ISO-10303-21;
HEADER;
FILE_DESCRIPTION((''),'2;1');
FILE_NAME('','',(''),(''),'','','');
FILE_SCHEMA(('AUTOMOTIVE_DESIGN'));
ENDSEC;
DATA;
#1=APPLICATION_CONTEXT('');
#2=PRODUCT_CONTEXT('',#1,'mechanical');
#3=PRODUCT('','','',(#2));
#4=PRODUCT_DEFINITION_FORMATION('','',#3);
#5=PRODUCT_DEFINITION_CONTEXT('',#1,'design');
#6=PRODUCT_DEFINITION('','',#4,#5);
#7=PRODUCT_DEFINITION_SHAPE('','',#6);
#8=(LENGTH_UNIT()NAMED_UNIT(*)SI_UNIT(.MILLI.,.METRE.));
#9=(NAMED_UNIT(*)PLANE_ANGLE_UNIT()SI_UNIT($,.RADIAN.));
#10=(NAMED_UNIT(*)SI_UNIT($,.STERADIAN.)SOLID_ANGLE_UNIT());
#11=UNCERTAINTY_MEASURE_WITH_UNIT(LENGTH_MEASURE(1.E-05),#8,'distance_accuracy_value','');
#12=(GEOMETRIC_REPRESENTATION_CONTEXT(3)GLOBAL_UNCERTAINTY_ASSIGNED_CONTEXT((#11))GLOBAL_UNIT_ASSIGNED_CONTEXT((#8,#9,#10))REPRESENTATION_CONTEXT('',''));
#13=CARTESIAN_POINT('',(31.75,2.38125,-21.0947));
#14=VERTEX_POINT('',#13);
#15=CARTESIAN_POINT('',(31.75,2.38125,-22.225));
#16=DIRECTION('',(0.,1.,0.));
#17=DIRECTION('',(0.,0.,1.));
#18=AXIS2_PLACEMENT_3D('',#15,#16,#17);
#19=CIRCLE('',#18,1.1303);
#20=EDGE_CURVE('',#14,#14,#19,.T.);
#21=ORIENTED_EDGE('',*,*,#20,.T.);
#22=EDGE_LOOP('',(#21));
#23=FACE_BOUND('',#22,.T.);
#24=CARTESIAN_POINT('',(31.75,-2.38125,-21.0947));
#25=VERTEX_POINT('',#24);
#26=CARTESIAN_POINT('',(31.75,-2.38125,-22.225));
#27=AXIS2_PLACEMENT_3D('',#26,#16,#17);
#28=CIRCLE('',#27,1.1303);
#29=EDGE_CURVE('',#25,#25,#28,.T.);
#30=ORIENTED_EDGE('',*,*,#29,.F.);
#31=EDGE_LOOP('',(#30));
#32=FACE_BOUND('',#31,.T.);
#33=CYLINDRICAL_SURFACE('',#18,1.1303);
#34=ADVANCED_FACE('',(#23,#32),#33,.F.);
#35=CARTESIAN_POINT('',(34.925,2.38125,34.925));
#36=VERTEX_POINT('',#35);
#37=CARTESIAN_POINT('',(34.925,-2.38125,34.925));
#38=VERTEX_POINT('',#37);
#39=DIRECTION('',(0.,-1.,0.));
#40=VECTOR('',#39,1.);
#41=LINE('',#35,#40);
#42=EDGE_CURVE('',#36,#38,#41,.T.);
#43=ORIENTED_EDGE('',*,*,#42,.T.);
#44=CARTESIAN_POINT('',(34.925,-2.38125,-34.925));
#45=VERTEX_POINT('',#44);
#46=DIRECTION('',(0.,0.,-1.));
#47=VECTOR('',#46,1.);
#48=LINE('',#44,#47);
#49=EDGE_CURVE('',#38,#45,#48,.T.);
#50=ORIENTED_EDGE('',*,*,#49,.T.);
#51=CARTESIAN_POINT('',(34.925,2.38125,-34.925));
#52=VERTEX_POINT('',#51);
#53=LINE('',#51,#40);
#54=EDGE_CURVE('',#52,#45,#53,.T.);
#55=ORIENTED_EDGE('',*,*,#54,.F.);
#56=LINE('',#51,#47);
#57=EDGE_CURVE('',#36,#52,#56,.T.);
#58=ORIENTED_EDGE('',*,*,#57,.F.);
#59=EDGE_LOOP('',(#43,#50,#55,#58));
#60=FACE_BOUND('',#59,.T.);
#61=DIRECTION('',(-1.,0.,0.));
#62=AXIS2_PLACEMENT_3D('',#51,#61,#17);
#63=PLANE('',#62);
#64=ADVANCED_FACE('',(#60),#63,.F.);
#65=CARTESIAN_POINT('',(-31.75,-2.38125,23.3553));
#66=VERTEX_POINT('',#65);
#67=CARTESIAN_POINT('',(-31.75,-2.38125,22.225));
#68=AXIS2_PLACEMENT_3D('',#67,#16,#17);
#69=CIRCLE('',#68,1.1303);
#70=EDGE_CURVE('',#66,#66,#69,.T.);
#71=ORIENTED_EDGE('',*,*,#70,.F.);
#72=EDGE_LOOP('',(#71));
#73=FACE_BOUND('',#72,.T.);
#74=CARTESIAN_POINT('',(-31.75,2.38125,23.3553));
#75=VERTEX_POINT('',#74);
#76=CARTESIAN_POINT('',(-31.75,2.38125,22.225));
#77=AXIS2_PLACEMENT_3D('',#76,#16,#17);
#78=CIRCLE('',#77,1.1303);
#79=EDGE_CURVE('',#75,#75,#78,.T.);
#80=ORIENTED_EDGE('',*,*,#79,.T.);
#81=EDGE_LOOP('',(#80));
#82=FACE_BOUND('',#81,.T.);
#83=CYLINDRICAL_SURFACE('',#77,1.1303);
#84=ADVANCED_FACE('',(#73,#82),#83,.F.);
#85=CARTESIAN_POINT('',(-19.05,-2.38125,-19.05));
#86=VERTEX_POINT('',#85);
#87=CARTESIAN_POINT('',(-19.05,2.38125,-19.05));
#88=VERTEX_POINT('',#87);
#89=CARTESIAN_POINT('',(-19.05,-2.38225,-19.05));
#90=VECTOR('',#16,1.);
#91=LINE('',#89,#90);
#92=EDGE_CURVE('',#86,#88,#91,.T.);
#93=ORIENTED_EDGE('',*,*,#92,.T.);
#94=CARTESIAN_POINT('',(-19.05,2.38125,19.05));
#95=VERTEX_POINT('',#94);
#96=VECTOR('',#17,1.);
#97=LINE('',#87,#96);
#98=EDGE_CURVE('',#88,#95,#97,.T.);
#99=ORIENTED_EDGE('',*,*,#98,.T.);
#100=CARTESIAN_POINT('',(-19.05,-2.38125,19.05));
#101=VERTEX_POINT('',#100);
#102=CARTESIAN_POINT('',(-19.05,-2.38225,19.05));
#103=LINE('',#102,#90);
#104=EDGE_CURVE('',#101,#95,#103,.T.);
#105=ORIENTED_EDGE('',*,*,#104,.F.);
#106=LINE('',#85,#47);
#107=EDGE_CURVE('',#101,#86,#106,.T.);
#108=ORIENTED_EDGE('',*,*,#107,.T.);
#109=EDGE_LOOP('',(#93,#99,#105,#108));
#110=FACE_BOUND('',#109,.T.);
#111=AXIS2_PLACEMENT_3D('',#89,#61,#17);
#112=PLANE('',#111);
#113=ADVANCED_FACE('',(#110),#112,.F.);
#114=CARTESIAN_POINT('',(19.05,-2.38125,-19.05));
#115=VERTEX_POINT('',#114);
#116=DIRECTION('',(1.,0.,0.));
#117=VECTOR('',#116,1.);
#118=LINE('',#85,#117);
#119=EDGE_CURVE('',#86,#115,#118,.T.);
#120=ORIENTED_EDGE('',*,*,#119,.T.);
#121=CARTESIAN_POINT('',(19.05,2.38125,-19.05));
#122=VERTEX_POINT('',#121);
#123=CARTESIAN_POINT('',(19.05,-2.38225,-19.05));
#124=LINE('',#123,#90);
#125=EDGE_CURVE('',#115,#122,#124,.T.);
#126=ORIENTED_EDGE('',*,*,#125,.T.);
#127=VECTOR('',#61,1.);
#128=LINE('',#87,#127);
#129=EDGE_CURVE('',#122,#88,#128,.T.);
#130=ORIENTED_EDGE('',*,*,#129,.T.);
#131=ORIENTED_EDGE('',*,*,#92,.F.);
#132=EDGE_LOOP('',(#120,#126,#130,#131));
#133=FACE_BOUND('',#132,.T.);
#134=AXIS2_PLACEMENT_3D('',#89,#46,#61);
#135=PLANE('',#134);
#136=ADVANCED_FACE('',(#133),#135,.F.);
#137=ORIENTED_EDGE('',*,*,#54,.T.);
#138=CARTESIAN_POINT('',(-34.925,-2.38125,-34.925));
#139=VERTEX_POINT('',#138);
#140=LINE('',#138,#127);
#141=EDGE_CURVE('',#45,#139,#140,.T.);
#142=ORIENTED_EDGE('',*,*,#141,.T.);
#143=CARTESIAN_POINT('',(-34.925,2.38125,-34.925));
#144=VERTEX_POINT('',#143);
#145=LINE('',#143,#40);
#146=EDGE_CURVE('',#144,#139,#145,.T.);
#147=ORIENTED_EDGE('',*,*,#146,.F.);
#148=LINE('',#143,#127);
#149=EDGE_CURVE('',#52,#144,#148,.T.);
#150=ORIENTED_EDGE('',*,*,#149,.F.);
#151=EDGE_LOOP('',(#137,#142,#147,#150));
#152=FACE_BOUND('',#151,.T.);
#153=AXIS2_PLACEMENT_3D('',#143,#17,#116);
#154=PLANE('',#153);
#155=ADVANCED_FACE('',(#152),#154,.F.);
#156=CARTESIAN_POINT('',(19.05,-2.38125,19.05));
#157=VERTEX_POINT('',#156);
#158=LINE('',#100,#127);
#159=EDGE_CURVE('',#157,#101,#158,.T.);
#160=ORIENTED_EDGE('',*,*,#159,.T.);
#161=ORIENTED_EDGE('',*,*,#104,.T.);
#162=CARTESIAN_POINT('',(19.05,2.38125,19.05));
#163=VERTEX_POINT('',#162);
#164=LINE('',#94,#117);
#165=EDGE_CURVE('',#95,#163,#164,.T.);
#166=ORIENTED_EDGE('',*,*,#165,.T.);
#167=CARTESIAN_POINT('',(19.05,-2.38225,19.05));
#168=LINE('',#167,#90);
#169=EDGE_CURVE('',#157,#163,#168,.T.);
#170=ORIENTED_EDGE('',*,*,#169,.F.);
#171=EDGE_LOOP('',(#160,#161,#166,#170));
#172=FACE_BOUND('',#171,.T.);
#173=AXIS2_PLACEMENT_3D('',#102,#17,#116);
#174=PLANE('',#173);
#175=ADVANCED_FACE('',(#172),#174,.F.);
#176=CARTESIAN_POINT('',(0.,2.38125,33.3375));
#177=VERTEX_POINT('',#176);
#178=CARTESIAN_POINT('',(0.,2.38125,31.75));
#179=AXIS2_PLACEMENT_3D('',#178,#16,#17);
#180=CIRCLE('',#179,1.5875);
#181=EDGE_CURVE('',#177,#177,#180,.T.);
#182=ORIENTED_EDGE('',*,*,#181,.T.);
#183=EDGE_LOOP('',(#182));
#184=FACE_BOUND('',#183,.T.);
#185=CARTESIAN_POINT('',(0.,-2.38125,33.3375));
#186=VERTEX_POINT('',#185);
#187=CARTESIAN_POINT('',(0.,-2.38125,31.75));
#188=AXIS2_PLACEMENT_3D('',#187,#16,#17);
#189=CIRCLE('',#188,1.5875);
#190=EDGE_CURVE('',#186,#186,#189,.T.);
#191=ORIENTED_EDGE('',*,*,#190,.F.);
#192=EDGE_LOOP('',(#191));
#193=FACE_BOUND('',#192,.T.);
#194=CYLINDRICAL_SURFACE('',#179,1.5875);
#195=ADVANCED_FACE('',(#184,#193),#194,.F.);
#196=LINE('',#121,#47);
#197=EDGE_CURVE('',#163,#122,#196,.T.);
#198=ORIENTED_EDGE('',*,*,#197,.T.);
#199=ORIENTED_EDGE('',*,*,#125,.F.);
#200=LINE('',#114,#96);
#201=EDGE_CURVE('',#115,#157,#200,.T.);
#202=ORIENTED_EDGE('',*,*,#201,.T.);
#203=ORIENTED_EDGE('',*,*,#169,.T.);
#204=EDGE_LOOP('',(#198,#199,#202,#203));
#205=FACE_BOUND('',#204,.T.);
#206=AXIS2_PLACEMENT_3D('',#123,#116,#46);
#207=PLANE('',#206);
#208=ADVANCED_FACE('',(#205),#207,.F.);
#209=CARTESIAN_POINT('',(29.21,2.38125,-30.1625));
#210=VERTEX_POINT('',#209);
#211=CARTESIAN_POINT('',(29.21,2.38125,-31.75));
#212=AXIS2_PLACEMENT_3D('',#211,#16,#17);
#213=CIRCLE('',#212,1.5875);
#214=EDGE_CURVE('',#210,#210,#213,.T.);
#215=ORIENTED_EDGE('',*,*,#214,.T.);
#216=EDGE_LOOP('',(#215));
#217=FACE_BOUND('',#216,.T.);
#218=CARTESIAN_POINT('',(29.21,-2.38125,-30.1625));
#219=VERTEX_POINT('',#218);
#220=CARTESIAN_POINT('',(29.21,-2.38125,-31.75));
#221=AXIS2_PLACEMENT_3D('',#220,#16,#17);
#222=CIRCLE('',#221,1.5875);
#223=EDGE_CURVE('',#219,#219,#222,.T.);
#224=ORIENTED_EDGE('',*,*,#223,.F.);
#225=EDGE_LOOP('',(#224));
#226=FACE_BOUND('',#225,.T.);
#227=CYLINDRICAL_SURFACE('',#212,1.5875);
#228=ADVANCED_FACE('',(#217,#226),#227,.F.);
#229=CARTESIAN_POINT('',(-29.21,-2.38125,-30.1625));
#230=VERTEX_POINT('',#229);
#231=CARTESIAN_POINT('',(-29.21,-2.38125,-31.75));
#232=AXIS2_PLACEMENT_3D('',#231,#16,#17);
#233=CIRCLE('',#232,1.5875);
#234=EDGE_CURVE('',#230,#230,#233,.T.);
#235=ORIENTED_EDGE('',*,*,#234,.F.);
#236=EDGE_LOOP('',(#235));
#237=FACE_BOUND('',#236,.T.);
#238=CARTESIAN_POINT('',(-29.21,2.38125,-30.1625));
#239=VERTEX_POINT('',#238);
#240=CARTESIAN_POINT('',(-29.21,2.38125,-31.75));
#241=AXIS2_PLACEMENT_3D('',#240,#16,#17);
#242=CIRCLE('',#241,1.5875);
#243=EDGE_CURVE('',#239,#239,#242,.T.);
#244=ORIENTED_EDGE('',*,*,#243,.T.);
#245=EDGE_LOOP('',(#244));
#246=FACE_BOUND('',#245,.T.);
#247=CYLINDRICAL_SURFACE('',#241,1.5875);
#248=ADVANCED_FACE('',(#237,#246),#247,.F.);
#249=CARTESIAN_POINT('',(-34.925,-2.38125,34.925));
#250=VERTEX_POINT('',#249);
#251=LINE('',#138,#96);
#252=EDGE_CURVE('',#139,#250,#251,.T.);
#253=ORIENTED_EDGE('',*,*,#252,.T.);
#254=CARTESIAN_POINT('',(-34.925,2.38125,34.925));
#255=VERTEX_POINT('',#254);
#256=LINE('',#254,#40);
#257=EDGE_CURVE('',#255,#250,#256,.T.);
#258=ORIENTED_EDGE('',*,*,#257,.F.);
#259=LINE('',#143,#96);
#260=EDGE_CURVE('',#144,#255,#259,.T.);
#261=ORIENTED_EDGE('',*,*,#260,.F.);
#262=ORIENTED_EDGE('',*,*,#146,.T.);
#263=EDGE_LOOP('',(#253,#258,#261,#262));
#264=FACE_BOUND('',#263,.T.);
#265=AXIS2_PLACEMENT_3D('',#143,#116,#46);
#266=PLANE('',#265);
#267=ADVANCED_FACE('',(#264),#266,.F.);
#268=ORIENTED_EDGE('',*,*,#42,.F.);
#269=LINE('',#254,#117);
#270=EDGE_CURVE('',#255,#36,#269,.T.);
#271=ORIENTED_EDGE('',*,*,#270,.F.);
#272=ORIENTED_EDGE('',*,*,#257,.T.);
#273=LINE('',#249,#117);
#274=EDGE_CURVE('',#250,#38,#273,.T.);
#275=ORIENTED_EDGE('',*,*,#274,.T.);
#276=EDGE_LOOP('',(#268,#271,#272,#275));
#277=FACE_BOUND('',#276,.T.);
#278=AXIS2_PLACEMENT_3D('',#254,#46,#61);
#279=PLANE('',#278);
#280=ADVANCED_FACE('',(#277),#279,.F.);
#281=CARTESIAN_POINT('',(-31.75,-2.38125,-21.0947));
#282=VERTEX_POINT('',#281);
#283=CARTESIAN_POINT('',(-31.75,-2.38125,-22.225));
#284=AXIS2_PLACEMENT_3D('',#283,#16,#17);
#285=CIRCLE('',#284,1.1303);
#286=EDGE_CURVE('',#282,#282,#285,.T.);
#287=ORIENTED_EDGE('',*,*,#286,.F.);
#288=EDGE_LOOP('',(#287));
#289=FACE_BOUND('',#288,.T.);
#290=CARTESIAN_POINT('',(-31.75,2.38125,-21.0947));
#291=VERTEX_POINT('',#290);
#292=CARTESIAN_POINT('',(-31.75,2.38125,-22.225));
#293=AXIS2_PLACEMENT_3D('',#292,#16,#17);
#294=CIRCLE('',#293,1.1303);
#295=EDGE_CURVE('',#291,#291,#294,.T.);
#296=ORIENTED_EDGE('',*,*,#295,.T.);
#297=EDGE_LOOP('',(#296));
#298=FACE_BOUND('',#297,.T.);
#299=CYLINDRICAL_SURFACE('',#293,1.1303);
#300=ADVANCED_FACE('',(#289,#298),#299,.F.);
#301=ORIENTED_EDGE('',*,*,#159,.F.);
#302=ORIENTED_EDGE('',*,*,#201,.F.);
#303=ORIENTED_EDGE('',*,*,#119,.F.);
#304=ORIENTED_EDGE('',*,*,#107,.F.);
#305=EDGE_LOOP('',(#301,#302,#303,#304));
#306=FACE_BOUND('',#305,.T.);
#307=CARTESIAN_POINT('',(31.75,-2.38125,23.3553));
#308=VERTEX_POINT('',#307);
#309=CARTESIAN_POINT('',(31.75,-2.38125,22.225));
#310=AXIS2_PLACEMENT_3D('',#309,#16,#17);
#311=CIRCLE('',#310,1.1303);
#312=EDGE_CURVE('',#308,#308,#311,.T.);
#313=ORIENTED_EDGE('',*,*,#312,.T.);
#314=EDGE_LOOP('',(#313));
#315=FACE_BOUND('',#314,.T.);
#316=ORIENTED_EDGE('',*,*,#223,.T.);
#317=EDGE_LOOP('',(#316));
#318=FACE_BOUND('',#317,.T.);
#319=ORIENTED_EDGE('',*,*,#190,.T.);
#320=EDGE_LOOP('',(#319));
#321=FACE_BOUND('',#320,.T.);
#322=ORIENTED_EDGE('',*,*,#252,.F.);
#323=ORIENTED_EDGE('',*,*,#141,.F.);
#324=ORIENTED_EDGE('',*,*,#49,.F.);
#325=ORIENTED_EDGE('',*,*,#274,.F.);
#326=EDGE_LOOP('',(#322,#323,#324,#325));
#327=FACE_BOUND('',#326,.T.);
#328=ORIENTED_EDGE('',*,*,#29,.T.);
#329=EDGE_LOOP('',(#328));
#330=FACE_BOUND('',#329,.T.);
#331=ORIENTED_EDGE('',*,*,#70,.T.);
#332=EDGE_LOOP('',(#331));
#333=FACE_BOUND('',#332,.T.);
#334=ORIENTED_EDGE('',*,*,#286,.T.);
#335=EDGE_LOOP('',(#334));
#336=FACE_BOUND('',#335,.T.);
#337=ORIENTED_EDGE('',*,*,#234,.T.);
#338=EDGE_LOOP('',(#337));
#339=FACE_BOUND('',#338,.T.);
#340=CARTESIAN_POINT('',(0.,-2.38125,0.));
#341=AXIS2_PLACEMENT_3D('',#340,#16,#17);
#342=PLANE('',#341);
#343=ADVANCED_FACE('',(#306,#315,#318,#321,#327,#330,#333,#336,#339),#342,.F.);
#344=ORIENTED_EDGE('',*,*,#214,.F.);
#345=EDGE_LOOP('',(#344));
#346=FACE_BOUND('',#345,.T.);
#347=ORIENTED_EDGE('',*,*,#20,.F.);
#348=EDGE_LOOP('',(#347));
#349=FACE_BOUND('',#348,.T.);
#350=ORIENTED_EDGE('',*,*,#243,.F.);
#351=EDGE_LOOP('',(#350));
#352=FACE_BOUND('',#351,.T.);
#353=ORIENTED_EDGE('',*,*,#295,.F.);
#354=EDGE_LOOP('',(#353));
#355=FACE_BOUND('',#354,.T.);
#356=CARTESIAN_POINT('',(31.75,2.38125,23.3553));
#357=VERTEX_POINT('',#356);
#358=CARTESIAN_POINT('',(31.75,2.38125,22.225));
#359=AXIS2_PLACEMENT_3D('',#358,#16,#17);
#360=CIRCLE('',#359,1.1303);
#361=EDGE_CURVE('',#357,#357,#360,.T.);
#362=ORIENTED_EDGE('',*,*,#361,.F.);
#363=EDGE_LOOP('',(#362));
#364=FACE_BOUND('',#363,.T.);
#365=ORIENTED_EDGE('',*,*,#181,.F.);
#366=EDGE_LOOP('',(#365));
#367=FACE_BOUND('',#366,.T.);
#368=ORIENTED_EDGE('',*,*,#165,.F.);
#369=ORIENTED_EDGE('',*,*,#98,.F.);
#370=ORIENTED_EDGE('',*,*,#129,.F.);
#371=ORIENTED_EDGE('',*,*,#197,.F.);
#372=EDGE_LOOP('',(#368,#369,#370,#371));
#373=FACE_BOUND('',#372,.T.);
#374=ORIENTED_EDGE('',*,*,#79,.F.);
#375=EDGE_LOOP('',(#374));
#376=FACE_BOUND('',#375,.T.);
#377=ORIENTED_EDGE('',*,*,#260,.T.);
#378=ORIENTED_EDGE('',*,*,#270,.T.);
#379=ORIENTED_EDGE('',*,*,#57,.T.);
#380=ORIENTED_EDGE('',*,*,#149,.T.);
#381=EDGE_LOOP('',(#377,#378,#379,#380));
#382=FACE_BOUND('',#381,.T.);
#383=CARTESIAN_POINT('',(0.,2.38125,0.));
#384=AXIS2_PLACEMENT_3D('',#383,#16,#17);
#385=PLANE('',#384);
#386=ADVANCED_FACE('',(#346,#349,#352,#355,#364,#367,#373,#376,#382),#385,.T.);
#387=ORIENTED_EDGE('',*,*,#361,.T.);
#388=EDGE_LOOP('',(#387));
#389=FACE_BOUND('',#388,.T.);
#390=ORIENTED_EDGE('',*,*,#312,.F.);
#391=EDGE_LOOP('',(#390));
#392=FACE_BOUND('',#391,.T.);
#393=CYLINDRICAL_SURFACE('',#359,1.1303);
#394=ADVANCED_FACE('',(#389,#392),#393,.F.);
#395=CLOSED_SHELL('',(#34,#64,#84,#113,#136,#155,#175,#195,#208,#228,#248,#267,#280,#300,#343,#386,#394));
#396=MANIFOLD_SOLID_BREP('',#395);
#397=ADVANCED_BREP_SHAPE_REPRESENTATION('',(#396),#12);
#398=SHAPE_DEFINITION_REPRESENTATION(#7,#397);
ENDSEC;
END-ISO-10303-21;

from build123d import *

# Parameters (mm, degrees)
SKETCH1_W                    = 69.85
SKETCH1_H                    = 69.85
BOSS_EXTRUDE1_DEPTH          = 2.38125
CUT_EXTRUDE1_REACH           = 51.62
SKETCH2_W                    = 38.1
SKETCH2_H                    = 38.1
F_4_40_TAPPED_HOLE1_D        = 2.2606
F_1_8_0_125_DIAMETER_HOLE1_D = 3.175


with BuildPart() as part:
    # Sketch1 → Boss-Extrude1 (new, symmetric)
    with BuildSketch(Plane(origin=(0, 0, 0), x_dir=(1, 0, 0), z_dir=(0, 1, 0))):
        Rectangle(SKETCH1_W, SKETCH1_H)
    extrude(amount=BOSS_EXTRUDE1_DEPTH, both=True)

    # Sketch2 → Cut-Extrude1 (cut, up to next)
    with BuildSketch(Plane(origin=(0, 2.38125, 0), x_dir=(1, 0, 0), z_dir=(0, 1, 0)), mode=Mode.PRIVATE) as cut_extrude1_sk1:
        Rectangle(SKETCH2_W, SKETCH2_H)
    cut_extrude1_tool1 = extrude(cut_extrude1_sk1.sketch, amount=-CUT_EXTRUDE1_REACH, mode=Mode.PRIVATE) & part.part
    add(cut_extrude1_tool1.solids().sort_by_distance((0, 2.38125, 0))[0], mode=Mode.SUBTRACT)

    # #4-40 Tapped Hole1 (through all)
    with Locations(Plane(origin=(0, 2.38125, 0), x_dir=(1, 0, 0), z_dir=(0, 1, 0))):
        with Locations((-31.75, 22.225), (31.75, 22.225)):
            f_4_40_tapped_hole1 = Hole(F_4_40_TAPPED_HOLE1_D / 2)

    # 1/8 (0.125) Diameter Hole1 (through all)
    with Locations(Plane(origin=(0, 2.38125, 0), x_dir=(1, 0, 0), z_dir=(0, 1, 0))):
        with Locations((-29.21, 31.75), (29.21, 31.75), (0, -31.75)):
            Hole(F_1_8_0_125_DIAMETER_HOLE1_D / 2)

    # Mirror1: #4-40 Tapped Hole1 across plane
    add(f_4_40_tapped_hole1.mirror(Plane.XY), mode=Mode.SUBTRACT)


solid = part.part
